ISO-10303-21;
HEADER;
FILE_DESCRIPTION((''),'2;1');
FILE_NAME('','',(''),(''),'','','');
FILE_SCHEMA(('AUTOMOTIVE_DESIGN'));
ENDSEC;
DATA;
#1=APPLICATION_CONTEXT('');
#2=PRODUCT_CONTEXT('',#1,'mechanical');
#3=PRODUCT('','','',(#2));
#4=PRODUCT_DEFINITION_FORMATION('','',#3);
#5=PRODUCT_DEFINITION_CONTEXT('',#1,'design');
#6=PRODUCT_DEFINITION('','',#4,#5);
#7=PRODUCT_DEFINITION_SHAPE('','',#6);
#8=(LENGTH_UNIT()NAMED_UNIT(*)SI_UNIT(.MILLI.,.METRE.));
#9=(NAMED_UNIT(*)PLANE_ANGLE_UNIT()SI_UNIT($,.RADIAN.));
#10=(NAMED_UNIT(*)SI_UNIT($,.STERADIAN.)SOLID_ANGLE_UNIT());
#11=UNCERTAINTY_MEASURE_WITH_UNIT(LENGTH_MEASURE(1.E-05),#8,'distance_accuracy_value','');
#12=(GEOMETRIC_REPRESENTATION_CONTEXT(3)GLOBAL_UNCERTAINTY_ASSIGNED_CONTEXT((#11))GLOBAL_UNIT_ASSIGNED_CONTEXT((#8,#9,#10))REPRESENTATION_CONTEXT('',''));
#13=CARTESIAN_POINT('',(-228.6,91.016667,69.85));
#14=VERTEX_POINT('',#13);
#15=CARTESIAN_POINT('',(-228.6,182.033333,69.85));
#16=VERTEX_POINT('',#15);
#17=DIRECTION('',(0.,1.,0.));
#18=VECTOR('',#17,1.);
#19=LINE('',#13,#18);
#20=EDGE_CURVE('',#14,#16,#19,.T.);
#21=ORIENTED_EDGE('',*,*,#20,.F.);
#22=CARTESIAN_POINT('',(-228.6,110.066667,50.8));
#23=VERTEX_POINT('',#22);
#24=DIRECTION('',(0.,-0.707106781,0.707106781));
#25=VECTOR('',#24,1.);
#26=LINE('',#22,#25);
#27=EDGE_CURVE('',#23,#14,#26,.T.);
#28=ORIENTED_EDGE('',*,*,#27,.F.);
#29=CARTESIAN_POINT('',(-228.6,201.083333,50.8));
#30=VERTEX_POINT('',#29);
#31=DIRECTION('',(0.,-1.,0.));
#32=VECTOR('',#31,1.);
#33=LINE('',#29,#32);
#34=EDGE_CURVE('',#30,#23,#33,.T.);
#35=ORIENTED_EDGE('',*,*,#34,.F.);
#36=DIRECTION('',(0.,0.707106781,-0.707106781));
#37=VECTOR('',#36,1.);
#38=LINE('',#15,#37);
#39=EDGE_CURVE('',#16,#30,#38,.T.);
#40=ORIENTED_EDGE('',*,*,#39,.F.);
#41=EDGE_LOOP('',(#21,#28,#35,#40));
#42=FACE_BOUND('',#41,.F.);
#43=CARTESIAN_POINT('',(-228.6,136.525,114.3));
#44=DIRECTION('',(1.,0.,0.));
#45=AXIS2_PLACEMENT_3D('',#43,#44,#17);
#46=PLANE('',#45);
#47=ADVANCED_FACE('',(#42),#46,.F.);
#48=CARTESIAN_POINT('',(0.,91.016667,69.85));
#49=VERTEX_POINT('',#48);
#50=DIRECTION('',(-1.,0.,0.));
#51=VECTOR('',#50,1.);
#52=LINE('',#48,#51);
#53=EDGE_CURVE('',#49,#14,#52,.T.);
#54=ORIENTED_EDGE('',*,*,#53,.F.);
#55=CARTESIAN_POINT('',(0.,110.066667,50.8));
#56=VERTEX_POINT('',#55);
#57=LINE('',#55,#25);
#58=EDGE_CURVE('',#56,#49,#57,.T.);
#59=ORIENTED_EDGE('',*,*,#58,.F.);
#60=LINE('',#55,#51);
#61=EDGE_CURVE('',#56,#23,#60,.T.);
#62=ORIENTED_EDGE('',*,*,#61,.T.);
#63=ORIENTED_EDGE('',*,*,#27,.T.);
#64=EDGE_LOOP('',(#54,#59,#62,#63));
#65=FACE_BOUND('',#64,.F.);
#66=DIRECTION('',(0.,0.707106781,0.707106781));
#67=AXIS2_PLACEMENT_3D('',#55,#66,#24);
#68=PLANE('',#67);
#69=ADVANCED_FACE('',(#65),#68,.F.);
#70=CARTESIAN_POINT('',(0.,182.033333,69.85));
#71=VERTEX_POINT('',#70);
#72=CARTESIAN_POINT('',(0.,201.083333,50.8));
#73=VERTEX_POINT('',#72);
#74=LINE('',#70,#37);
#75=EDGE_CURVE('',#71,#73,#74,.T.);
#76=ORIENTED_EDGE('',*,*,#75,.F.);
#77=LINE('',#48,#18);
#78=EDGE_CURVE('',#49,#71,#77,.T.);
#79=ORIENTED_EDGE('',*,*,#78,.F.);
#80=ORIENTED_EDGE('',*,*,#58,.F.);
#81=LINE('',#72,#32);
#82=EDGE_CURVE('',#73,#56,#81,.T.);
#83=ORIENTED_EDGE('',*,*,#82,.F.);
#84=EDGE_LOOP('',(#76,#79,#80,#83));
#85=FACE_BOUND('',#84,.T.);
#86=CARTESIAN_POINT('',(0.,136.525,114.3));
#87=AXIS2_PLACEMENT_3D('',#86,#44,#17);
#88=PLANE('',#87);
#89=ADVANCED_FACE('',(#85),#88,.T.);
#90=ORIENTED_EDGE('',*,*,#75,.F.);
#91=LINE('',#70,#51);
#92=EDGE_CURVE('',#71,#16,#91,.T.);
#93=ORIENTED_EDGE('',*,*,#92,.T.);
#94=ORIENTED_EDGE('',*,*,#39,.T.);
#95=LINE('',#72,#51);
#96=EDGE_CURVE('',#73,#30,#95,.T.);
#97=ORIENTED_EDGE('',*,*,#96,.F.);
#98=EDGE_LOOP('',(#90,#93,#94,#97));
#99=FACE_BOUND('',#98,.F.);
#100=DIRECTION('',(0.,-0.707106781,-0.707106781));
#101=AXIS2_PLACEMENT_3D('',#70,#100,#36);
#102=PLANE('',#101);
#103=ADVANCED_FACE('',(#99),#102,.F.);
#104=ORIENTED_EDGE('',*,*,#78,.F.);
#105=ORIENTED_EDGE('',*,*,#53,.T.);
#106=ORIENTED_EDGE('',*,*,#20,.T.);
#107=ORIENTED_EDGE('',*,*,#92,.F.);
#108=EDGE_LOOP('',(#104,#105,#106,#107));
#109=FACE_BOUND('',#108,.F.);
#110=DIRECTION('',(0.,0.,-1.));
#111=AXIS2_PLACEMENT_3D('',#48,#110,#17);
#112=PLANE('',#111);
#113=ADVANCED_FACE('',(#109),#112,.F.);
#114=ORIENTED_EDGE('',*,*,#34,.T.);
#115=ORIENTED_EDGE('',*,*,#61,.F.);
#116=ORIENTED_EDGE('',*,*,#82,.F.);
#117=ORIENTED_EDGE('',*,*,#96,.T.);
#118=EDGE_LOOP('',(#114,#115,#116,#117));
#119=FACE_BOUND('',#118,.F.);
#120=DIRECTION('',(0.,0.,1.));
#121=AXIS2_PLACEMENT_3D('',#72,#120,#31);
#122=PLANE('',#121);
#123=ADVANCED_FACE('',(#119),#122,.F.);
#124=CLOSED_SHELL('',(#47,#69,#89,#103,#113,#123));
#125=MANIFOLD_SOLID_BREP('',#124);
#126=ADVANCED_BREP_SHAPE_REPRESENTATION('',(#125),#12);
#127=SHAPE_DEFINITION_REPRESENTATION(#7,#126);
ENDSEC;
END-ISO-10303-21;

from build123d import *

# Parameters (mm, degrees)
F0_W     = 273.05
F0_H     = 228.6
F1_DEPTH = 228.6
F3_DEPTH = 228.6
F5_DEPTH = 228.6
F7_DEPTH = 228.6


with BuildPart() as f1:
    # F0 (on Right) → F1 (new body)
    with BuildSketch(Plane.YZ):
        with Locations((136.525, 114.3)):
            Rectangle(F0_W, F0_H)
    extrude(amount=-F1_DEPTH)

    # F2 (on face) → F3 (cut, through all)
    with BuildSketch(Plane.YZ):
        Polygon((182.0333333333, 139.7), (273.05, 139.7), (273.05, 228.6), (0, 228.6), (0, 0), (91.0166666667, 0), (91.0166666667, 69.85), (182.0333333333, 69.85), align=None)
    extrude(amount=-F3_DEPTH, mode=Mode.SUBTRACT)

    # F4 (on face) → F5 (cut, through all)
    with BuildSketch(Plane.YZ):
        Polygon((201.0833333333, 50.8), (110.0666666667, 50.8), (110.0666666667, 0), (273.05, 0), (273.05, 120.65), (201.0833333333, 120.65), align=None)
    extrude(amount=-F5_DEPTH, mode=Mode.SUBTRACT)

    # F6 (on face) → F7 (cut, through all)
    with BuildSketch(Plane.YZ):
        Polygon((273.05, 139.7), (182.0333333333, 139.7), (201.0833333333, 120.65), (273.05, 120.65), align=None)
        Polygon((182.0333333333, 139.7), (182.0333333333, 69.85), (201.0833333333, 50.8), (201.0833333333, 120.65), align=None)
        Polygon((110.0666666667, 50.8), (91.0166666667, 69.85), (91.0166666667, 0), (110.0666666667, 0), align=None)
    extrude(amount=-F7_DEPTH, mode=Mode.SUBTRACT)


solid = f1.part
